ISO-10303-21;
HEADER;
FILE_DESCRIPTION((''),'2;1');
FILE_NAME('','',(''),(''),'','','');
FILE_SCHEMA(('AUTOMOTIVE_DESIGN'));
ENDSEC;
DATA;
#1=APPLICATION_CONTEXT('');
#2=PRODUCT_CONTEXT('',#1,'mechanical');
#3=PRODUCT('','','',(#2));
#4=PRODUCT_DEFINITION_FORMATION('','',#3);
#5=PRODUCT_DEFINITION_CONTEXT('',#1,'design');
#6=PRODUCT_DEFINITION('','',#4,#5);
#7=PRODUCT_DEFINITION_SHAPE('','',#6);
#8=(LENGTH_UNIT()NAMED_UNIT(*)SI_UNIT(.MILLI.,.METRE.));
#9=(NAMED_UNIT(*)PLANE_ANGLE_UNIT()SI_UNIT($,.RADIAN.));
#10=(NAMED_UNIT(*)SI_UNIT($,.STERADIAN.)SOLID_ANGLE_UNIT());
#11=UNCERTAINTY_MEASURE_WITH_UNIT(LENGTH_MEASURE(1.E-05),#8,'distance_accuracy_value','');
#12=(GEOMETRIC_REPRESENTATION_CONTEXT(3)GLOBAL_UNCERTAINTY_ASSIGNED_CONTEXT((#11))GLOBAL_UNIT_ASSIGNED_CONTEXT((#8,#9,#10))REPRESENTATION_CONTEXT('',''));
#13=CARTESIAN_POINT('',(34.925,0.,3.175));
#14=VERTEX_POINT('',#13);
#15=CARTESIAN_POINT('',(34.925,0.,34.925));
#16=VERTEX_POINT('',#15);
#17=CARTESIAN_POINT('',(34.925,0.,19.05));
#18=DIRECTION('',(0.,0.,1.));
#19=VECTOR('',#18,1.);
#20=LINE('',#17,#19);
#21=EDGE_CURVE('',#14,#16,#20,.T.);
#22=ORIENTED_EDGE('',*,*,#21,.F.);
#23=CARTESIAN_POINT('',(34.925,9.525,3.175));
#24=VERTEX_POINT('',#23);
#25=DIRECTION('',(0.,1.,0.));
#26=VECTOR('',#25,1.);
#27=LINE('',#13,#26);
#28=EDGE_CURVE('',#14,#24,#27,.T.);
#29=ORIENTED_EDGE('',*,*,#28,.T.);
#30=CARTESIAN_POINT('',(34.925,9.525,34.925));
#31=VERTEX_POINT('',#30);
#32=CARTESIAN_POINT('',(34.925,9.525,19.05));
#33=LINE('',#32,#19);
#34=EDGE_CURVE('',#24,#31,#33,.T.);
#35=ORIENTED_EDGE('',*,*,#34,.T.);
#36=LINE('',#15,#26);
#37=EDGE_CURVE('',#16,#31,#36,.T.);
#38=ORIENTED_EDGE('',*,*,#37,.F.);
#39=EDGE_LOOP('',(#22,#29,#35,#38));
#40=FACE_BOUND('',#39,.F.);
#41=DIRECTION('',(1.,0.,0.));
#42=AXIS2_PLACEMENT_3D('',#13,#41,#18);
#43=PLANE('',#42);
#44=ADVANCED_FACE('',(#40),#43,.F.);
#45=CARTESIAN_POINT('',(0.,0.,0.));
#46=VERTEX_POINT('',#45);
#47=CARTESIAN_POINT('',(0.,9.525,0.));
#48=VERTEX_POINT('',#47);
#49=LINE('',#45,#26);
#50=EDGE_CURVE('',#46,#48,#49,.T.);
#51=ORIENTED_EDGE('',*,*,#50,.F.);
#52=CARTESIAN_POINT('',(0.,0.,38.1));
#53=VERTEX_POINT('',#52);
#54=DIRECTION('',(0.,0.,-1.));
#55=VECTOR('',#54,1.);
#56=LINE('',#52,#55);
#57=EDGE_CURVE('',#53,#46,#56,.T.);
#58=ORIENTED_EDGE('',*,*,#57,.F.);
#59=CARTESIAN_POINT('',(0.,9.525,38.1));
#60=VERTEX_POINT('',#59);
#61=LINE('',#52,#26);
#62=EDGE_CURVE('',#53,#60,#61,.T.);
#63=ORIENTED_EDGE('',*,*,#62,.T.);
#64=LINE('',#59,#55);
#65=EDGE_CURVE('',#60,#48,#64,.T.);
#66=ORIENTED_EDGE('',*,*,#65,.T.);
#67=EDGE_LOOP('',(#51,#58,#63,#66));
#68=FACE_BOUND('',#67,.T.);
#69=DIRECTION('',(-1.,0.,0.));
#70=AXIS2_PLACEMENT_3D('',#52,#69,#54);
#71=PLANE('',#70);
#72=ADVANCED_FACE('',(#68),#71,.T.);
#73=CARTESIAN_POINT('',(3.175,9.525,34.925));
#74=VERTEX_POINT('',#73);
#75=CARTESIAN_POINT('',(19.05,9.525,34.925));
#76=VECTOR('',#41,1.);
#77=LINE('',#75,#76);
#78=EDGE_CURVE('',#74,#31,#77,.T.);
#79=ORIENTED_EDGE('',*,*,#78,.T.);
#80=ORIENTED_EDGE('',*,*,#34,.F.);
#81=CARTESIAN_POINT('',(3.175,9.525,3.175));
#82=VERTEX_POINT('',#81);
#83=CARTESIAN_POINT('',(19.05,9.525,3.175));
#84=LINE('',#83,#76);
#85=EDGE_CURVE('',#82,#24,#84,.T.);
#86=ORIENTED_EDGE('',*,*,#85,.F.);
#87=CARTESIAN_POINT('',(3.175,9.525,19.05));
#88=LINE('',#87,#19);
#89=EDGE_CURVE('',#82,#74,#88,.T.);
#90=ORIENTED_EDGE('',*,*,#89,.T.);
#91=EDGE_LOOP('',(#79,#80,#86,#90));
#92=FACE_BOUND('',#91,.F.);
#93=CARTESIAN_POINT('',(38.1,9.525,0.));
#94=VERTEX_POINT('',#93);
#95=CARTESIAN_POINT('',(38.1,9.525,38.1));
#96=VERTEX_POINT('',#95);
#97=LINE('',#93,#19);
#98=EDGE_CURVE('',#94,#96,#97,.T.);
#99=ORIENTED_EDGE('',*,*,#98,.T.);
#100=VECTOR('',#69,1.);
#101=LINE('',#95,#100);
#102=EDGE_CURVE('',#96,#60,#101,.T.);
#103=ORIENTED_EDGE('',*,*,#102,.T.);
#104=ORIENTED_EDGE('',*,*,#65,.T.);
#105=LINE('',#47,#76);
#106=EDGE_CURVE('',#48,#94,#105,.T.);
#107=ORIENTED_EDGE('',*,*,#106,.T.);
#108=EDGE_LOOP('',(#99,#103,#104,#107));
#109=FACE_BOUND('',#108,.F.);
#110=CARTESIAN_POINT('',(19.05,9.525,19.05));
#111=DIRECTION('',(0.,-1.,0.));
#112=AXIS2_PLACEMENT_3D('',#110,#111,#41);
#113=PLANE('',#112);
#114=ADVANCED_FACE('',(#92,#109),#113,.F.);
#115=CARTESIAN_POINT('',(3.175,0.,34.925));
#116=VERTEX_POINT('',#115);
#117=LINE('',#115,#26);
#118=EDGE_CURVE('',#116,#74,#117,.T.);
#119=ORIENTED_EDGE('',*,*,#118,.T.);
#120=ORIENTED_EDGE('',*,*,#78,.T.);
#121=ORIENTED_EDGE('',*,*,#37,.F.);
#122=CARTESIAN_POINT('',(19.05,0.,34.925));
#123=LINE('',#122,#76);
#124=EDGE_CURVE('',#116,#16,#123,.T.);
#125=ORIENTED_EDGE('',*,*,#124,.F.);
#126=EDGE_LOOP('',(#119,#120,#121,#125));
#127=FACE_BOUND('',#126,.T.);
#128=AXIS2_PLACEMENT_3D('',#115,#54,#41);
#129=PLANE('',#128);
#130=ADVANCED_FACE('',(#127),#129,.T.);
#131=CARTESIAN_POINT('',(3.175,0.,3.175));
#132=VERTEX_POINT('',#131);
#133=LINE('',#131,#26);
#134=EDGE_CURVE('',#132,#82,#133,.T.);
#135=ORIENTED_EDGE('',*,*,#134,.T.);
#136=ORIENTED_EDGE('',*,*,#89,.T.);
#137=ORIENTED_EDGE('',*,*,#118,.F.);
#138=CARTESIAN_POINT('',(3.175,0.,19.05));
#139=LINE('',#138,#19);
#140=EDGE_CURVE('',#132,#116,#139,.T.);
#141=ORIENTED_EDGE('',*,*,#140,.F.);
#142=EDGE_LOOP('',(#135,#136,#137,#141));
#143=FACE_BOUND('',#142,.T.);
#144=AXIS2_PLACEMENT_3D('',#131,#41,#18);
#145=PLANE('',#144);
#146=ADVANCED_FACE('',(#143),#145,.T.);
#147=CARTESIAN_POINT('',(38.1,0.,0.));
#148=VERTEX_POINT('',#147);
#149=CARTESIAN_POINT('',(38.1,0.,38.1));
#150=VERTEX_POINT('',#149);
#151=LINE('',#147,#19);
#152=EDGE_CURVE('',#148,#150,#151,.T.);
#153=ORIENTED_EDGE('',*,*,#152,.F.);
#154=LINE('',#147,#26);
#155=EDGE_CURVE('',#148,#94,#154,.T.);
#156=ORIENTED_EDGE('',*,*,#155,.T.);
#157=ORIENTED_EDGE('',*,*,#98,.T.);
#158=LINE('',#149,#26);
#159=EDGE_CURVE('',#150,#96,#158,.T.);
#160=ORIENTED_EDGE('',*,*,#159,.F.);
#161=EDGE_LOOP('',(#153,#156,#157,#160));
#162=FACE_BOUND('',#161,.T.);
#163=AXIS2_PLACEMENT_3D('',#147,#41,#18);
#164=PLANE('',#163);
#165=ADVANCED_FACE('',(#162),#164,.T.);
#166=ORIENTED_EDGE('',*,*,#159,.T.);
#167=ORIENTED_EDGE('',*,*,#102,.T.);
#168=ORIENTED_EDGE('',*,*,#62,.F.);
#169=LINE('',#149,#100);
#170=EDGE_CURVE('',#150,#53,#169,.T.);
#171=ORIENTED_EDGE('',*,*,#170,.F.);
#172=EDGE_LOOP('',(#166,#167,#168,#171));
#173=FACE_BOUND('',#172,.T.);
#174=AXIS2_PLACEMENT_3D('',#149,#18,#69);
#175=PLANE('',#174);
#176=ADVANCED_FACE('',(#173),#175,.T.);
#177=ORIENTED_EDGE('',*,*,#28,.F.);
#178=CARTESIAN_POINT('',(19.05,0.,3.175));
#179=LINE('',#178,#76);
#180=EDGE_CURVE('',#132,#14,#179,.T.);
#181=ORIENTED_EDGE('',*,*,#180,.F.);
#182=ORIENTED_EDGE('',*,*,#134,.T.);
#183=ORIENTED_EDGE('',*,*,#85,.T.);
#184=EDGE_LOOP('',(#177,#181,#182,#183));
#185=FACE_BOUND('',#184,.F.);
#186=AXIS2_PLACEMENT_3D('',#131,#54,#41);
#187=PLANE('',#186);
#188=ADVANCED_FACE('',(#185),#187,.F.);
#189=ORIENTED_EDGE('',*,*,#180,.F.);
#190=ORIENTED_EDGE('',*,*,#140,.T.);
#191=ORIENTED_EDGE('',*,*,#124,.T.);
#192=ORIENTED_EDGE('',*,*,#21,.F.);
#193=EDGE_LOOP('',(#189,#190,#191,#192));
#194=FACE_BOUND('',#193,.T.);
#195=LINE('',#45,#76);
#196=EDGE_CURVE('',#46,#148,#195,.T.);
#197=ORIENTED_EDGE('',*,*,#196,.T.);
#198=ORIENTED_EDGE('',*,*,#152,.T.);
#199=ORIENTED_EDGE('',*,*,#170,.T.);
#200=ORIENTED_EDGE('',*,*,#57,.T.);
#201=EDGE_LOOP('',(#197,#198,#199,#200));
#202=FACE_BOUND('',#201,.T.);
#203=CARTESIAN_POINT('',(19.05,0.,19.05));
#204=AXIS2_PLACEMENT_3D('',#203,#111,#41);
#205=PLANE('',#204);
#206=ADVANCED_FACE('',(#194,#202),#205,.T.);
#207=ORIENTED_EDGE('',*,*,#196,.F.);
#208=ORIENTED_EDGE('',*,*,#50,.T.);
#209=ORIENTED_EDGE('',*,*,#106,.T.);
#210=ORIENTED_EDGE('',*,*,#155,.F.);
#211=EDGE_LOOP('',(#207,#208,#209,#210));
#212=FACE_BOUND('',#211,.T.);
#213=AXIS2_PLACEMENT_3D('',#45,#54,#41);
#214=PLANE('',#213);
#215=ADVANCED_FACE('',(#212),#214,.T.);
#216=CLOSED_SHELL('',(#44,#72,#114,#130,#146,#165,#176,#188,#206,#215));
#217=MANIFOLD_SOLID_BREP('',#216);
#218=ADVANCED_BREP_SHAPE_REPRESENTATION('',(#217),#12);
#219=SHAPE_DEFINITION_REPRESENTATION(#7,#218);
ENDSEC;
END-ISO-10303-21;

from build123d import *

# Parameters (mm, degrees)
F0_W     = 31.75
F0_H     = 31.75
F1_DEPTH = 9.525


with BuildPart() as f1:
    # F0 (on Front) → F1 (new body)
    with BuildSketch(Plane.XZ):
        Polygon((0, 38.1), (0, 0), (34.925, 0), (38.1, 0), (38.1, 38.1), align=None)
        with Locations((19.05, 19.05)):
            Rectangle(F0_W, F0_H, mode=Mode.SUBTRACT)
    extrude(amount=-F1_DEPTH)


solid = f1.part
